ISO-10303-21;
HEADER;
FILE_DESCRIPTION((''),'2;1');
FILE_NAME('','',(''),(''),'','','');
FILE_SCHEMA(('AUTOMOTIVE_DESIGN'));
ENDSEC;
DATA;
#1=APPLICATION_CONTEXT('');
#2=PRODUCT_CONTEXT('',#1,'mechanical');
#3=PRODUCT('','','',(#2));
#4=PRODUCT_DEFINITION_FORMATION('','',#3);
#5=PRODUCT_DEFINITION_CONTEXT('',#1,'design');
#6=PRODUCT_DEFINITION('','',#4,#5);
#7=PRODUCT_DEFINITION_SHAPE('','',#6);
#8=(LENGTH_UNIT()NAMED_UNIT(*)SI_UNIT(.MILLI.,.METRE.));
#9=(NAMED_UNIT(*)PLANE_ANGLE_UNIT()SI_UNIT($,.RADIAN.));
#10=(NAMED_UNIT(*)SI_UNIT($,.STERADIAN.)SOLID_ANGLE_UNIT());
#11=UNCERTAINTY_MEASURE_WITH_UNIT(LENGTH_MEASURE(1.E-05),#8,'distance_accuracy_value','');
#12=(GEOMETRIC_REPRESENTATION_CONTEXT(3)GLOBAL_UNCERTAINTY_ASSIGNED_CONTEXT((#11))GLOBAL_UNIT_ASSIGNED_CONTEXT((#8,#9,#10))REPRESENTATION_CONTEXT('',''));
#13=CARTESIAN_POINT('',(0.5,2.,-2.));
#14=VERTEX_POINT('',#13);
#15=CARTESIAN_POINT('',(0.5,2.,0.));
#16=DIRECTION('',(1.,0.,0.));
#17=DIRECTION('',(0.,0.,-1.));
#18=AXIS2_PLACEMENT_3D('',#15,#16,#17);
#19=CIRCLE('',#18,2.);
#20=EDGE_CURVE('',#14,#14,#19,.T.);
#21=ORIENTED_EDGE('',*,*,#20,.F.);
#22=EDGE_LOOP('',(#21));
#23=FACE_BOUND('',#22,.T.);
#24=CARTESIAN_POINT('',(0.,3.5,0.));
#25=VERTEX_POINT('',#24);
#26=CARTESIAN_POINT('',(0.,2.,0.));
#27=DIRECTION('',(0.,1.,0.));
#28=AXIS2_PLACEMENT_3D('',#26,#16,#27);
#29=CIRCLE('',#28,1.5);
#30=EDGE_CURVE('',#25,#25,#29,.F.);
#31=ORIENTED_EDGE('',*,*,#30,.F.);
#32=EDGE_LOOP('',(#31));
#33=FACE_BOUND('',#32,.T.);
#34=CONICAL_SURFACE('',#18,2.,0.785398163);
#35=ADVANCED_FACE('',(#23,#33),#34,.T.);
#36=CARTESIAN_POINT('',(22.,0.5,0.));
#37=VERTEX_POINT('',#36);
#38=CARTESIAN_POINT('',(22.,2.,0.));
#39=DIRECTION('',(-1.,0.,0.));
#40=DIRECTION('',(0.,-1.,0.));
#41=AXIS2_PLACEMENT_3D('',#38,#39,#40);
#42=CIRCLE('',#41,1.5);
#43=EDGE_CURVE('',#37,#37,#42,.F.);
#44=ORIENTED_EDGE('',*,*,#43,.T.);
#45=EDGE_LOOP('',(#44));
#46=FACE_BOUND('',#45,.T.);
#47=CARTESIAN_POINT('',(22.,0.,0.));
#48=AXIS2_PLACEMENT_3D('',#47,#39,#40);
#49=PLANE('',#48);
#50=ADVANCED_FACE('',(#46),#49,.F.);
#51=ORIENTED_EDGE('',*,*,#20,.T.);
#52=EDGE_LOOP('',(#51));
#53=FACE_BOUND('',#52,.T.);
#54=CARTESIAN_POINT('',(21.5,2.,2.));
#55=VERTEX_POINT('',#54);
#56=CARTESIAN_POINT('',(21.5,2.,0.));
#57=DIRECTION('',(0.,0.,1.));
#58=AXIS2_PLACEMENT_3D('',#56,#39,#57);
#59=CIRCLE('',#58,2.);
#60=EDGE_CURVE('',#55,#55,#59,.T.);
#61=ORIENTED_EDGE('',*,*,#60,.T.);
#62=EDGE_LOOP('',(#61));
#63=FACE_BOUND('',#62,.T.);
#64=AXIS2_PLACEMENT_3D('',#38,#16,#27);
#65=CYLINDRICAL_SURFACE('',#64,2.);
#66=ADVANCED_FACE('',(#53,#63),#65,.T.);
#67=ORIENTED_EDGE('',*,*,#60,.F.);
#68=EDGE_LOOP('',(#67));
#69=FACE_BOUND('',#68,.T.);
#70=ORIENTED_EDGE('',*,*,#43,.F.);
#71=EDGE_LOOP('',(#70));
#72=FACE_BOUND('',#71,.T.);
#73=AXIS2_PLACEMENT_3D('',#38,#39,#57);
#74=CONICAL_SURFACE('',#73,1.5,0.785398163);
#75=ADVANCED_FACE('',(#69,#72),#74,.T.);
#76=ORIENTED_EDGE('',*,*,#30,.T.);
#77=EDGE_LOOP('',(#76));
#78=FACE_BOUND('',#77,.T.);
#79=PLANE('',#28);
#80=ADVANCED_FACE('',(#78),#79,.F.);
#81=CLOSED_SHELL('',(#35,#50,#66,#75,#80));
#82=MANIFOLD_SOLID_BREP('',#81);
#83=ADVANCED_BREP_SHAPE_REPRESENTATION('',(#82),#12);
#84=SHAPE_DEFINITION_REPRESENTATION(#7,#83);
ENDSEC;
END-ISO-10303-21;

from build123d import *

# Parameters (mm, degrees)
SKETCH1_W     = 22
SKETCH1_H     = 2
CHAMFER1_SIZE = 0.5


with BuildPart() as part:
    # Sketch1 → Revolve1 (revolve)
    with BuildSketch(Plane.XY):
        with Locations((11, 1)):
            Rectangle(SKETCH1_W, SKETCH1_H)
    revolve(axis=Axis((22, 2, 0), (-1, 0, 0)))

    # Chamfer1
    chamfer1_edges = [part.edges().sort_by_distance(p)[0] for p in [
        (22, 4, 0),
        (0, 4, 0),
    ]]
    chamfer(chamfer1_edges, length=CHAMFER1_SIZE)


solid = part.part
